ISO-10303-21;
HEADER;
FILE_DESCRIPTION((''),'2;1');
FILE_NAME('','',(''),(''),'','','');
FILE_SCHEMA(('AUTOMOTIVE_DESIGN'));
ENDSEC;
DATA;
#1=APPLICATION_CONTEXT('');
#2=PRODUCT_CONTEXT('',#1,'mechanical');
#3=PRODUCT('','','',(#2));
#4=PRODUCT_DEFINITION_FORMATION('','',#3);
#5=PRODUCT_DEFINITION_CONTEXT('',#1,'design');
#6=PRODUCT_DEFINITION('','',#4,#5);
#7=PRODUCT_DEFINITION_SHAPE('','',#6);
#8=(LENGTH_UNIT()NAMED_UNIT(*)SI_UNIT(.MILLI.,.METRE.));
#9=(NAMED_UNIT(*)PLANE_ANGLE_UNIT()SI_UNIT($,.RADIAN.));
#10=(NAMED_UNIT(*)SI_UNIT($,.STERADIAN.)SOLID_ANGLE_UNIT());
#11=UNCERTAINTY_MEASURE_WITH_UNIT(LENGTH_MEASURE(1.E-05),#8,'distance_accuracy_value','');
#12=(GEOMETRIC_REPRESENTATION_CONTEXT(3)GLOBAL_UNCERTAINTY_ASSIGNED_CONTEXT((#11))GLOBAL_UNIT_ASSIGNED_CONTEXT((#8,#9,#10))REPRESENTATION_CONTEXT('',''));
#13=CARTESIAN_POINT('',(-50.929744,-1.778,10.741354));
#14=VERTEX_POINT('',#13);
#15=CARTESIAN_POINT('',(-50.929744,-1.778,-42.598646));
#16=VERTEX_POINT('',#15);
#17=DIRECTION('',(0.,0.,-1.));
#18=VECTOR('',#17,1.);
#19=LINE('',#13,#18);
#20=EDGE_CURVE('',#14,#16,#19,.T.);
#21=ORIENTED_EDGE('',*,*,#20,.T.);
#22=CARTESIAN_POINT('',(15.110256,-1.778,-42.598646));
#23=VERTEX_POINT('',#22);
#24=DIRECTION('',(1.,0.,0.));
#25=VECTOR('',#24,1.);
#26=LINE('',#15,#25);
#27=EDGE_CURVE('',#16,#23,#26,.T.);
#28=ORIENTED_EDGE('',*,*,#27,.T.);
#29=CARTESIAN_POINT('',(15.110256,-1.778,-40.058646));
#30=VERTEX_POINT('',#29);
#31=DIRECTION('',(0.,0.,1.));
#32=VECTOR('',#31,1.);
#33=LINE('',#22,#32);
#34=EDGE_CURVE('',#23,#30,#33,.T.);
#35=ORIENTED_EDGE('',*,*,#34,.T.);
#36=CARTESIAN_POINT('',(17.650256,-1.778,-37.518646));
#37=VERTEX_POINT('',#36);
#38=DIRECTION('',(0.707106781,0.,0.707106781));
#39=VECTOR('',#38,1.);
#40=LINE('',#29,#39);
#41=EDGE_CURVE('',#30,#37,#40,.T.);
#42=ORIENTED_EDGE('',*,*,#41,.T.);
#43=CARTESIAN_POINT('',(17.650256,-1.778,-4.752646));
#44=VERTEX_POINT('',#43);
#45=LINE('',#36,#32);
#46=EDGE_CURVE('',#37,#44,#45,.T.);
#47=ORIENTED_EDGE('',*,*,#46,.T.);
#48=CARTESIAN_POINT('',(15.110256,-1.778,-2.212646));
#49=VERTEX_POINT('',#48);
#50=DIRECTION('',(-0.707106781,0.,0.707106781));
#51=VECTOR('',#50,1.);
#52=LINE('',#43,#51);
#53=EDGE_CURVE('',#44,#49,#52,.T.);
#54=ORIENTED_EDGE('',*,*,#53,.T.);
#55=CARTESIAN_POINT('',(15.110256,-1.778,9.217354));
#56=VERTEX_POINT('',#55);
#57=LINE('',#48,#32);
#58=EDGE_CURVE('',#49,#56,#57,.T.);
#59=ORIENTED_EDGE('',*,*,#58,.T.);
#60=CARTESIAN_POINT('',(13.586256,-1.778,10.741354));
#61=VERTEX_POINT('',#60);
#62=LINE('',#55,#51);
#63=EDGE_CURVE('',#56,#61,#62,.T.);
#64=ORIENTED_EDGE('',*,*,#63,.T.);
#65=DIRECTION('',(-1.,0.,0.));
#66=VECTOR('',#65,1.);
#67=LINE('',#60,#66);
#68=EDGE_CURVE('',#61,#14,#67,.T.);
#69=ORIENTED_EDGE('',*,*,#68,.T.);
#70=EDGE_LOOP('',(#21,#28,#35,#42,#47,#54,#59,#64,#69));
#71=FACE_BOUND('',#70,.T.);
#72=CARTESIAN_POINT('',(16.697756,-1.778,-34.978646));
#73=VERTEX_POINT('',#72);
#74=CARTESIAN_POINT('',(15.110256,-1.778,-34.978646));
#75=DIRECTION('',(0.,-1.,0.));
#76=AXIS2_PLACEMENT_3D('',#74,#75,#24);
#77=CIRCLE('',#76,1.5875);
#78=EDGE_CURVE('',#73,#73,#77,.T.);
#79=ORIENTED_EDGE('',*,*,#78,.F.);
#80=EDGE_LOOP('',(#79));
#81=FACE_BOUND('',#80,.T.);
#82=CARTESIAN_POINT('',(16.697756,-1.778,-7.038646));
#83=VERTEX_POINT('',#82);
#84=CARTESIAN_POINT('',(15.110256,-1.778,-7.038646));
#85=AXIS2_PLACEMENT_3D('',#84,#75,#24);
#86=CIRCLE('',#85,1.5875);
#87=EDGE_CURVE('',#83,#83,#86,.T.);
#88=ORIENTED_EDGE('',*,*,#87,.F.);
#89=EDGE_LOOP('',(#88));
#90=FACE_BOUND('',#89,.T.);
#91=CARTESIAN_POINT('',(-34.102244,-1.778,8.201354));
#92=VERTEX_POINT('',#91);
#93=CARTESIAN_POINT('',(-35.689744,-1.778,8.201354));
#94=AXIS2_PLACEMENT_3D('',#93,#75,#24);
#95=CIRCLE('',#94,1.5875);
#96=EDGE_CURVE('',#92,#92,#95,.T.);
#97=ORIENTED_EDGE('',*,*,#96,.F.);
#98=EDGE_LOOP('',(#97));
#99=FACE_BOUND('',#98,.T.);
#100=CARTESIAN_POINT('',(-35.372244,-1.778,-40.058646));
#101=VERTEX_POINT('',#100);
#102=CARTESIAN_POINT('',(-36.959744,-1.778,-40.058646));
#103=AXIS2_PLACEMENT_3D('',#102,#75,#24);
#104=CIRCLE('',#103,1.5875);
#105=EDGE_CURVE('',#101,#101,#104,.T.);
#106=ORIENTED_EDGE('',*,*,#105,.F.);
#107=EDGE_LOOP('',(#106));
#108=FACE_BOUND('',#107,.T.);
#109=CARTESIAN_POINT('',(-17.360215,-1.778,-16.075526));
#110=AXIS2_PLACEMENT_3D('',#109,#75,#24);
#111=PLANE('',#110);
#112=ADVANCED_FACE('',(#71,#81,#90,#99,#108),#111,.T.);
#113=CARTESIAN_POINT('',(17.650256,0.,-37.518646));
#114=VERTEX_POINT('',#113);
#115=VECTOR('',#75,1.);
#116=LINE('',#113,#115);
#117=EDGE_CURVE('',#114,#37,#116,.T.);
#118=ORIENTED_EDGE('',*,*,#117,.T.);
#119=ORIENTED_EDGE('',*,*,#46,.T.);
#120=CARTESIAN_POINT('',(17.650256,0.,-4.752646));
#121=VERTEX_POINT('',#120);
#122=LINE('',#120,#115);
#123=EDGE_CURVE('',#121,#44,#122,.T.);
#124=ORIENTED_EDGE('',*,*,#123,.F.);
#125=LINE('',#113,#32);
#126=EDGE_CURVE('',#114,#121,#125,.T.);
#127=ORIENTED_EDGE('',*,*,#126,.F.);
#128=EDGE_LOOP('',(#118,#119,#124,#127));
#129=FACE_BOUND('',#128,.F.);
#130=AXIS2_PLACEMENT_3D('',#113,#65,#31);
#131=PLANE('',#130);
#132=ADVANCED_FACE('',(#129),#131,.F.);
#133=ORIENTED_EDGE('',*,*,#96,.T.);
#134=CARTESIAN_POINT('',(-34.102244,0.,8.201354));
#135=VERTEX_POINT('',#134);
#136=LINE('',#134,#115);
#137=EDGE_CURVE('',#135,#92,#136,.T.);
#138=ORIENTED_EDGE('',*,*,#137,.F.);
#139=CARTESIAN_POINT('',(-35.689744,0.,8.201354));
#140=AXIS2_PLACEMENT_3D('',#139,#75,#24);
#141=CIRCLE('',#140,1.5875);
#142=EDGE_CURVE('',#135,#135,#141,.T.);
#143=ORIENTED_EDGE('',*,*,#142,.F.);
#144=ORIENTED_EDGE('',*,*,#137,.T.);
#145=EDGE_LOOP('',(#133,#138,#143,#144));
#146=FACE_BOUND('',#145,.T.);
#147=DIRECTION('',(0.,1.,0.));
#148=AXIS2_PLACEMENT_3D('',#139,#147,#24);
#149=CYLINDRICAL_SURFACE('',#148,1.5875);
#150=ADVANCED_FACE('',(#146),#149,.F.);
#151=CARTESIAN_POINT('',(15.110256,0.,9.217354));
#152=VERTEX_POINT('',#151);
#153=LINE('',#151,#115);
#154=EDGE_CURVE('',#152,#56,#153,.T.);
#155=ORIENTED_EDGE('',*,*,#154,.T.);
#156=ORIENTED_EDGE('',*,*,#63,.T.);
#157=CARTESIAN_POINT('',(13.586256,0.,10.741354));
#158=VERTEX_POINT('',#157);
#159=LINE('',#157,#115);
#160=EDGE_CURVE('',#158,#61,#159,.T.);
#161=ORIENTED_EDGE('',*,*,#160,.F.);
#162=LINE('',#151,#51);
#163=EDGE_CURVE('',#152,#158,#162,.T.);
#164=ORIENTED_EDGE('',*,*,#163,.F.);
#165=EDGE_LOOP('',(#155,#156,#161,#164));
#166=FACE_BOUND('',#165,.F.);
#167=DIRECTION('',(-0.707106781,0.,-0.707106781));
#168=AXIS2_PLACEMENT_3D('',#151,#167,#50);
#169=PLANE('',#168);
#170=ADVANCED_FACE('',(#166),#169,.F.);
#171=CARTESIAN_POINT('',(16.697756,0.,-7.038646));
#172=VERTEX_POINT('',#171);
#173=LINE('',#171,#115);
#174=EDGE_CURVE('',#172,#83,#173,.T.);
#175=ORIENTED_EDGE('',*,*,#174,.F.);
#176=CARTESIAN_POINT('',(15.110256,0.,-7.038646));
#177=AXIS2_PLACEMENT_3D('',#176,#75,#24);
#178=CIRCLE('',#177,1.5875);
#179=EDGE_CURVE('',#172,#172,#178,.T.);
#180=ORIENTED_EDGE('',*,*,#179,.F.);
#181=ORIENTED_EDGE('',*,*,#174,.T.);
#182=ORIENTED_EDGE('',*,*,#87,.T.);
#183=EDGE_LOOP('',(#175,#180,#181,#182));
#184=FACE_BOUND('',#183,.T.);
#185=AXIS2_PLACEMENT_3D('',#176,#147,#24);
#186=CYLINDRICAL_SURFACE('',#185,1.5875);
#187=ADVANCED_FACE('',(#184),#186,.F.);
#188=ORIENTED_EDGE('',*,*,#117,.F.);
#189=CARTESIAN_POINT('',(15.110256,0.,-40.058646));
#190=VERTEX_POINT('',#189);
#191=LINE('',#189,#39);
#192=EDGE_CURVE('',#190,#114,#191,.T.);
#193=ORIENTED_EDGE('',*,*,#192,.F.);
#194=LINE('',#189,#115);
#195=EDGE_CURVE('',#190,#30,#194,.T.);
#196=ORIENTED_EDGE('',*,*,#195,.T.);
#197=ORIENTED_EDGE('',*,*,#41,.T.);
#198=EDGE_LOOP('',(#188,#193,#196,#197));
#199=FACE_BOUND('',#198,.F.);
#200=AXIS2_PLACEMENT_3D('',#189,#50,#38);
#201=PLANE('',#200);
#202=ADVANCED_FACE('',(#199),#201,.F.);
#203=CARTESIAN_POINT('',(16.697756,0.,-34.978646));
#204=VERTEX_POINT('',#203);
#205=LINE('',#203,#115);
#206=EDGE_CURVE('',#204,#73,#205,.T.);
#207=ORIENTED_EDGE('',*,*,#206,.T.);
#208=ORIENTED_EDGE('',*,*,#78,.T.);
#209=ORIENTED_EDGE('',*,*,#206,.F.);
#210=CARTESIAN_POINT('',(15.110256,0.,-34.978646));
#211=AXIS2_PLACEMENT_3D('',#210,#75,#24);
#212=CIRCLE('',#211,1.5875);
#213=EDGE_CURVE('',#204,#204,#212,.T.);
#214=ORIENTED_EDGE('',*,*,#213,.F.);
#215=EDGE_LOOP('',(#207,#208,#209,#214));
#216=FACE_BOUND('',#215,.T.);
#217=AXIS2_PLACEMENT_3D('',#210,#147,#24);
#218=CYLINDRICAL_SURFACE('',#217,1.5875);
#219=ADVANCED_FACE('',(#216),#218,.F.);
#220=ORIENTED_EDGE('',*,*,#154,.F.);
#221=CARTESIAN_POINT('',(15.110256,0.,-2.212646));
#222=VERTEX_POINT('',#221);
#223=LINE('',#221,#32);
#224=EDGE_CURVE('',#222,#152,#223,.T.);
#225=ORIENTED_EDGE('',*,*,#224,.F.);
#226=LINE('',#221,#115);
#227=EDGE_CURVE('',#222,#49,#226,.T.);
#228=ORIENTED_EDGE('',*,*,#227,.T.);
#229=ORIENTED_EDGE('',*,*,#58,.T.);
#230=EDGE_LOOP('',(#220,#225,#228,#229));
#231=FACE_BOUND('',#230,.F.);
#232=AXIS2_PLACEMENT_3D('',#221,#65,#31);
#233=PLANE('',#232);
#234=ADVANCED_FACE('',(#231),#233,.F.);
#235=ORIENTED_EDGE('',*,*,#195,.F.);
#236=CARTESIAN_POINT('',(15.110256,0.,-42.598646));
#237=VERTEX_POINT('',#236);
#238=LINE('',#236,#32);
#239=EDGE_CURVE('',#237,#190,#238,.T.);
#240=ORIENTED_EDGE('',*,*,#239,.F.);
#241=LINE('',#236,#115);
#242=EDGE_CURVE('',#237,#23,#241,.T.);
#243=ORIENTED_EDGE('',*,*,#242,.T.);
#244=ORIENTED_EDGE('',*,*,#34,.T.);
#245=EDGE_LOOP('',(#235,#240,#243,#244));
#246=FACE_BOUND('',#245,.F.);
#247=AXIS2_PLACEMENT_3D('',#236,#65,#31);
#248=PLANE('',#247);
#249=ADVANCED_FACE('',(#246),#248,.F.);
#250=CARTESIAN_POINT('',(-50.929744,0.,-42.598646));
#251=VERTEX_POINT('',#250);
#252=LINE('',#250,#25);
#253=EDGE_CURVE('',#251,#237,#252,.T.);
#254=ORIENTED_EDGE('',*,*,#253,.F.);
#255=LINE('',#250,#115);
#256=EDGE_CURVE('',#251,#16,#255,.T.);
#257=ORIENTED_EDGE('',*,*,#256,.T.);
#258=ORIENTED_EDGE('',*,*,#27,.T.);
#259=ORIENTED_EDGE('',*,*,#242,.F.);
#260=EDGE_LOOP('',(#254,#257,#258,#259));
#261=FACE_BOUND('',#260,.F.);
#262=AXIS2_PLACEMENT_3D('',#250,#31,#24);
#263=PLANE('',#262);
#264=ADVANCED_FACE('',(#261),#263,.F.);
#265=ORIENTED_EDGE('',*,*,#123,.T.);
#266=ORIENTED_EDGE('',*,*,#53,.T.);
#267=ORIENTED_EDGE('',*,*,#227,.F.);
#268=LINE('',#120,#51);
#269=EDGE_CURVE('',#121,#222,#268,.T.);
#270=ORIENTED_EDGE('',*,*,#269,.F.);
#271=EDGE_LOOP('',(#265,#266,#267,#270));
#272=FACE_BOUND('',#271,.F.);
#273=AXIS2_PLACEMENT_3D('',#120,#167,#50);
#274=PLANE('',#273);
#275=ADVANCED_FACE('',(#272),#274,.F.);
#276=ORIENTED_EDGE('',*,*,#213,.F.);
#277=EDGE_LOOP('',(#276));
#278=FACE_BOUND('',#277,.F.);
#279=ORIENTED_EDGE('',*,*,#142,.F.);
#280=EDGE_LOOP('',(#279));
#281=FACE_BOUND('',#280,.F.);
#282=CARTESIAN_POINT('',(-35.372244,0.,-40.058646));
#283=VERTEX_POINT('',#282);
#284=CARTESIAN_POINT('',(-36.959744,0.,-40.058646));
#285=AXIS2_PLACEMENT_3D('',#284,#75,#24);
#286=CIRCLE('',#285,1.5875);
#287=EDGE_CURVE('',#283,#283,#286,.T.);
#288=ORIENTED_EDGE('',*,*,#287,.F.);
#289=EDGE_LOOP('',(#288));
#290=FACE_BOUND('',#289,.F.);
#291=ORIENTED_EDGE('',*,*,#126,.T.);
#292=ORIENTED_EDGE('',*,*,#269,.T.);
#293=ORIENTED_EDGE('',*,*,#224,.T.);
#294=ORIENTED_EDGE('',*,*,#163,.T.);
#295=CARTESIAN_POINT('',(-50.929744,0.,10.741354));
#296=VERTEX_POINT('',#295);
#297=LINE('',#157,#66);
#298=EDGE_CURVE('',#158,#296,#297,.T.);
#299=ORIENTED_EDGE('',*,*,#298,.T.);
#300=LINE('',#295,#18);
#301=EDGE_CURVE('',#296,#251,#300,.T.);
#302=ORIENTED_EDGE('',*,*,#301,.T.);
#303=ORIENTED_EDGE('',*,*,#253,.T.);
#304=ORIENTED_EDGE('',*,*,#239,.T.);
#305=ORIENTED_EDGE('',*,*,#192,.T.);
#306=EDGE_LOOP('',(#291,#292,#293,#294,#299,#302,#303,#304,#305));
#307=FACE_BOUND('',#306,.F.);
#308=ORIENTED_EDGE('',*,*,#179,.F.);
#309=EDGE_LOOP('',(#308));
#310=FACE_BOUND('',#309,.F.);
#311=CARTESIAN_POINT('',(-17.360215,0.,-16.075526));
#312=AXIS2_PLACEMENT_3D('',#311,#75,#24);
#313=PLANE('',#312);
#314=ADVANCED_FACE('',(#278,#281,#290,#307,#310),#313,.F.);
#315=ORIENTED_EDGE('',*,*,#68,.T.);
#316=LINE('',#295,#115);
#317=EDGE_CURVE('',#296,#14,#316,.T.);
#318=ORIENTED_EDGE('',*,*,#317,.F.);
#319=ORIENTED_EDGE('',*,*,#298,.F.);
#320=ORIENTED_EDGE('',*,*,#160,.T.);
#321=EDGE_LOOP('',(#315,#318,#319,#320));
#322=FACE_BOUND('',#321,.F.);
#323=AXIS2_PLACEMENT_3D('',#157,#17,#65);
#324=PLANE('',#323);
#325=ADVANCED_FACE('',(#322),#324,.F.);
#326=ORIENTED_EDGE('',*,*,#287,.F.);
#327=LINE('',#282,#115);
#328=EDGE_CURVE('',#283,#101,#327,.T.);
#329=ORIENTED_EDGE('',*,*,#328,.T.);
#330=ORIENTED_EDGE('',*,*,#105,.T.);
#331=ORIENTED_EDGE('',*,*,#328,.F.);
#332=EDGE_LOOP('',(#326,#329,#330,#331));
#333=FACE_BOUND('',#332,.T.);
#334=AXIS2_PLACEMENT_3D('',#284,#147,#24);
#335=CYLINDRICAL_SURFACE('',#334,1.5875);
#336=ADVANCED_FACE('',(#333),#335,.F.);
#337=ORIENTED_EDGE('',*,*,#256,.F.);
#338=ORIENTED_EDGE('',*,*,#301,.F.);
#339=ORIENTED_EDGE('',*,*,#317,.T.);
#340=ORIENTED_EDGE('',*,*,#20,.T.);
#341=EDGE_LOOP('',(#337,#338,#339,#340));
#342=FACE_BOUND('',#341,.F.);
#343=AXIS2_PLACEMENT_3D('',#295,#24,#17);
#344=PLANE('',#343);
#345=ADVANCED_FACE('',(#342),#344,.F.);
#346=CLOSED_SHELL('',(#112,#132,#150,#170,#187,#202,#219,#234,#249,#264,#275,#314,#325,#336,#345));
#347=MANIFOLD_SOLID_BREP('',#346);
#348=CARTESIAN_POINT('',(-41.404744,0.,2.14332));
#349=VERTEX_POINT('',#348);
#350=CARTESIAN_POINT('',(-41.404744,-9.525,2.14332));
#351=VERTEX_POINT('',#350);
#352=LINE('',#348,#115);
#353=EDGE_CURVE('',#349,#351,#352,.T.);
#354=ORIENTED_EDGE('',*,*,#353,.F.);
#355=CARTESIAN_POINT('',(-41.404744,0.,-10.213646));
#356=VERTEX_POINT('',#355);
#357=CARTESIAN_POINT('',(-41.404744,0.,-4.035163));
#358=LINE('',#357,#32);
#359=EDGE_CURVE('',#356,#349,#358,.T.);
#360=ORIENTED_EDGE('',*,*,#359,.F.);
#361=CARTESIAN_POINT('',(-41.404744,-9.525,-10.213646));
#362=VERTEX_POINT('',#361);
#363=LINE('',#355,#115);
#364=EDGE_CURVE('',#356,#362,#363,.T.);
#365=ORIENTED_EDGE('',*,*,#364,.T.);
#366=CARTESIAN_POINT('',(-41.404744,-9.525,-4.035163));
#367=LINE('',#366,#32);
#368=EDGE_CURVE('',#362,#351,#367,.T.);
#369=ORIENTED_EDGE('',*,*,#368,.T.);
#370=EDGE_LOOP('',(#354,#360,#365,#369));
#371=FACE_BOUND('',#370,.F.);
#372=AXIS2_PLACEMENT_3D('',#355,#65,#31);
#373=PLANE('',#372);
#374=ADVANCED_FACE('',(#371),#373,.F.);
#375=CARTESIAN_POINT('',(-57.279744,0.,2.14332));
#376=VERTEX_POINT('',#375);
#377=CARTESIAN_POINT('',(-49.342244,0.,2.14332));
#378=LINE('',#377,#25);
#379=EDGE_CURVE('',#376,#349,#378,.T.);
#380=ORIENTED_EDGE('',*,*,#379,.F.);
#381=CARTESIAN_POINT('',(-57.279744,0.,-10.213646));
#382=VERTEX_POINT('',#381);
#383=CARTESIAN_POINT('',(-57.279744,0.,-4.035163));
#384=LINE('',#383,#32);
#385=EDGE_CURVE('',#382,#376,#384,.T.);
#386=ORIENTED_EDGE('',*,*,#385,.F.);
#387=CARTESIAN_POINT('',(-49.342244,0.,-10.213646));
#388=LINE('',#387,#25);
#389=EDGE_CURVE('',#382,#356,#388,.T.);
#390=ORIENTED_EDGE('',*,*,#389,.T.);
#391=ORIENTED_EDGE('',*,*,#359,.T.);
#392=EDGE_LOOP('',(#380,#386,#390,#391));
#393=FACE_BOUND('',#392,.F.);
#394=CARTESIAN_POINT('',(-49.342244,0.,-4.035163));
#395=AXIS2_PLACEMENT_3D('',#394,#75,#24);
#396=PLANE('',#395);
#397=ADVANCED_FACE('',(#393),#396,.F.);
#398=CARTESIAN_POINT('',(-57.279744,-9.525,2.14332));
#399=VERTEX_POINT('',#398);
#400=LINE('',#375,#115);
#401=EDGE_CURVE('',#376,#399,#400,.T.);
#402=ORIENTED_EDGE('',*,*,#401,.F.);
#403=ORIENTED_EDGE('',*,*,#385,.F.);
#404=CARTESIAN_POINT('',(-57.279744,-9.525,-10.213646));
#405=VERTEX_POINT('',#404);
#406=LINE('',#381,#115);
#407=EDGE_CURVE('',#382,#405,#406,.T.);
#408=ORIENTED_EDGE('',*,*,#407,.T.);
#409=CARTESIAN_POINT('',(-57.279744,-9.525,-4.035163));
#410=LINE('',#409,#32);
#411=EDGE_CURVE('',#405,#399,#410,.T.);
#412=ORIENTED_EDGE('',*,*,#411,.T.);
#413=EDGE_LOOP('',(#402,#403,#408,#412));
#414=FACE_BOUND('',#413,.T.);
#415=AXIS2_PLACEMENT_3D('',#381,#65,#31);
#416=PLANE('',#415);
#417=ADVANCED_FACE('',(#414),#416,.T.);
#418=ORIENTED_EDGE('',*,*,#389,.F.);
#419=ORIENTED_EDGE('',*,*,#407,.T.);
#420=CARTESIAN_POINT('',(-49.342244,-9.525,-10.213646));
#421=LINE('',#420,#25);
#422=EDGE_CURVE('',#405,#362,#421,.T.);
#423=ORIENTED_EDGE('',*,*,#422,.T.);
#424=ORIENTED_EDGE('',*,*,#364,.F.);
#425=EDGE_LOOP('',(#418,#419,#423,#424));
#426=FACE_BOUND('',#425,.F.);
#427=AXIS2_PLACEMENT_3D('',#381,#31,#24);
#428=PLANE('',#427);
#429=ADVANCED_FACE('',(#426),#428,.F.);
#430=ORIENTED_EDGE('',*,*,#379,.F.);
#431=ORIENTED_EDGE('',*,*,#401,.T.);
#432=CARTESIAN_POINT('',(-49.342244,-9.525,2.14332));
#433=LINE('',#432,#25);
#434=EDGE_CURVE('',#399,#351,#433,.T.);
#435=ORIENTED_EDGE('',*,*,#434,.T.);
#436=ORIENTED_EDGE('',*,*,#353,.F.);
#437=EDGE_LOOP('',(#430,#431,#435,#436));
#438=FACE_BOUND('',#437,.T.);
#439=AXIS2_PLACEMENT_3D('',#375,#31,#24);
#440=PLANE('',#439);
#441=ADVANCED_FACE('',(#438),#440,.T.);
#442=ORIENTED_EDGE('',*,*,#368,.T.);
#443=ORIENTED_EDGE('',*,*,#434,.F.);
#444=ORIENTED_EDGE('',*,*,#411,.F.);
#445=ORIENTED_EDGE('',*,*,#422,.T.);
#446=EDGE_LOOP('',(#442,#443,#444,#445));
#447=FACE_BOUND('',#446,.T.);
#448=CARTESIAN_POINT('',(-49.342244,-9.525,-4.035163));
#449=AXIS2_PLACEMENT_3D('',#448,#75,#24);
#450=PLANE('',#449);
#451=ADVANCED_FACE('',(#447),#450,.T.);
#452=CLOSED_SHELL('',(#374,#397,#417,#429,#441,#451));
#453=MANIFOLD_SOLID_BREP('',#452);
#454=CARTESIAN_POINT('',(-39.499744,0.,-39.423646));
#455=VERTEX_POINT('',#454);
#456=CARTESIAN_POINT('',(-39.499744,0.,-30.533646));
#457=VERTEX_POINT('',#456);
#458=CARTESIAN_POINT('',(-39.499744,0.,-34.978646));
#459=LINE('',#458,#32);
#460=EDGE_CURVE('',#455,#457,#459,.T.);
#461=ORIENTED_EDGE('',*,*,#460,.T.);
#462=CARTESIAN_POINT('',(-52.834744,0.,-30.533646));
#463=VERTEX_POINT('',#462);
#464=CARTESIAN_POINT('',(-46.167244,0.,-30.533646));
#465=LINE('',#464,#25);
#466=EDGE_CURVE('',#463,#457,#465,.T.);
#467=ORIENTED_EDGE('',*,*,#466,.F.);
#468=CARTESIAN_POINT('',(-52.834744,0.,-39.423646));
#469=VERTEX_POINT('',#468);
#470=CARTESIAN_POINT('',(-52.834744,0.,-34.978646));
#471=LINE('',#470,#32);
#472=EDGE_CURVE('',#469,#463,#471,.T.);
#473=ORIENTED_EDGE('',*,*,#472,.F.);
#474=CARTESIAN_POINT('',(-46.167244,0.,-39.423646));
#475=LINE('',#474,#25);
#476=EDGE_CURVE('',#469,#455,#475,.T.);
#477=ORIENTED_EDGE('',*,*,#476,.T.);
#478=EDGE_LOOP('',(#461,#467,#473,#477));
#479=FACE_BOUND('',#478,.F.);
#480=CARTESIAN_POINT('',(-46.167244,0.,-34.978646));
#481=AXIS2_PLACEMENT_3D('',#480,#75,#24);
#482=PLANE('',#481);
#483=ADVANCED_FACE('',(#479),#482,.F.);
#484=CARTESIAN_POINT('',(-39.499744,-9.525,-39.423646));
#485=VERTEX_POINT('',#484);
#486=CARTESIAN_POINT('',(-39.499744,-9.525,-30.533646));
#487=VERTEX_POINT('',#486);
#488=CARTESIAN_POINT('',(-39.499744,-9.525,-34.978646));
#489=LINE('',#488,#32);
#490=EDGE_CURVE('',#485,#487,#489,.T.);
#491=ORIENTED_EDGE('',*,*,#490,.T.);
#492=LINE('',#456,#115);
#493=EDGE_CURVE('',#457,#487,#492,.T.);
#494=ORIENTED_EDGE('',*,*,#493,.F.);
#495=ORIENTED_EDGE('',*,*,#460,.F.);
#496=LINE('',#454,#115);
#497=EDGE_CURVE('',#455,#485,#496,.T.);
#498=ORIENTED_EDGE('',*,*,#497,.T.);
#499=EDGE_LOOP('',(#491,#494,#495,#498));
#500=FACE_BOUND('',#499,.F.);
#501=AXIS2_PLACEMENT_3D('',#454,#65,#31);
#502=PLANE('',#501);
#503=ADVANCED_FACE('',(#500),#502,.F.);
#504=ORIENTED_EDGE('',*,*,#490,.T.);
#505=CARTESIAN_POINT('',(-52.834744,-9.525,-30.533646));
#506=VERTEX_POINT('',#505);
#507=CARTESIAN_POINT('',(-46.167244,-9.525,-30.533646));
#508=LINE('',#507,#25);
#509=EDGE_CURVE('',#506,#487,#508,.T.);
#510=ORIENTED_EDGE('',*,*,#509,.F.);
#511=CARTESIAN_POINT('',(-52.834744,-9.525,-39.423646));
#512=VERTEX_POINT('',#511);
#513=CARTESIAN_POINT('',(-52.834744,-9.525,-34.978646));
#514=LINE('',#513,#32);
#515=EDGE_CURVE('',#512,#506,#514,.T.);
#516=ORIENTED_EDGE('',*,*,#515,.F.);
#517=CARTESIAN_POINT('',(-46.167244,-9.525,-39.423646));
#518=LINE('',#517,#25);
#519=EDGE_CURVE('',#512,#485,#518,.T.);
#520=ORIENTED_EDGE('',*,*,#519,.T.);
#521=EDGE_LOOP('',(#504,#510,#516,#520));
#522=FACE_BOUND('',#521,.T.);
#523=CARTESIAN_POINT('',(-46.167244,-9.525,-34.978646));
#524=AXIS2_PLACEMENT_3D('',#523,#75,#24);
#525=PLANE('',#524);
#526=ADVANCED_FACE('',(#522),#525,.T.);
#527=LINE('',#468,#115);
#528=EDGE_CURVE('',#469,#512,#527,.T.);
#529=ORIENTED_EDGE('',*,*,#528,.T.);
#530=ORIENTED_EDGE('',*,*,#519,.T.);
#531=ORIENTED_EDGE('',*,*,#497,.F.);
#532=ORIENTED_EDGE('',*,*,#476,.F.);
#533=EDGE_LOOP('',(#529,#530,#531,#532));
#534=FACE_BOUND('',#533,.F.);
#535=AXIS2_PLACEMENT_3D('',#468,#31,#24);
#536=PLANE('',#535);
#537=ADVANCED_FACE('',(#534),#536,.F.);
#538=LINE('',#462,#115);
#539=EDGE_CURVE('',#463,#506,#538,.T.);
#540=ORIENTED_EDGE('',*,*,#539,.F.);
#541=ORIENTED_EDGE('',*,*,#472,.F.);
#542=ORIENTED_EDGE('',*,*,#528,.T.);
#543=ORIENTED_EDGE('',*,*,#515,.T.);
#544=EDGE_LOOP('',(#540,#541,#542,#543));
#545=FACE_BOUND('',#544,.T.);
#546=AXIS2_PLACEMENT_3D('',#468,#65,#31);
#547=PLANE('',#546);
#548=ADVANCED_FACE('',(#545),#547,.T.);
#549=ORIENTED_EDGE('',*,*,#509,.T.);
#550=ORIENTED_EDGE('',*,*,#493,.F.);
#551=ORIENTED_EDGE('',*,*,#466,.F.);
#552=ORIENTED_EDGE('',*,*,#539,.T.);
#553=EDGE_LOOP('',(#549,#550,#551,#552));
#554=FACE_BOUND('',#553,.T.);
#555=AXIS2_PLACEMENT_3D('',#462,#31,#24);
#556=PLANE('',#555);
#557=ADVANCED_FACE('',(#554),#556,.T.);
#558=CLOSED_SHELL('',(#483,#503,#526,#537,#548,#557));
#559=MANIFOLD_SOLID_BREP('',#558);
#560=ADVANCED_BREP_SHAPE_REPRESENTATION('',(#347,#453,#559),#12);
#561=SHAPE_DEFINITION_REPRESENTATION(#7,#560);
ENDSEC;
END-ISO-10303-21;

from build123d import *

# Parameters (mm, degrees)
F1_W     = 15.875
F1_H     = 12.356966
F1_W_2   = 13.335
F1_H_2   = 8.89
F2_DEPTH = 9.525
F0_R     = 1.5875
F3_DEPTH = 1.778


with BuildPart() as f2:
    # F1 (on Front) → F2 (new body)
    with BuildSketch(Plane.XZ):
        with Locations((-49.342244, -4.035163)):
            Rectangle(F1_W, F1_H)
        with Locations((-46.167244, -34.978646)):
            Rectangle(F1_W_2, F1_H_2)
    extrude(amount=F2_DEPTH)


with BuildPart() as f3:
    # F0 (on Front) → F3 (new body)
    with BuildSketch(Plane.XZ):
        Polygon((13.586256, 10.741354), (-50.929744, 10.741354), (-50.929744, -42.598646), (15.110256, -42.598646), (15.110256, -40.058646), (17.650256, -37.518646), (17.650256, -4.752646), (15.110256, -2.212646), (15.110256, 9.217354), align=None)
        with Locations((-36.959744, -40.058646)):
            Circle(F0_R, mode=Mode.SUBTRACT)
        with Locations((15.110256, -34.978646)):
            Circle(F0_R, mode=Mode.SUBTRACT)
        with Locations((-35.689744, 8.201354)):
            Circle(F0_R, mode=Mode.SUBTRACT)
        with Locations((15.110256, -7.038646)):
            Circle(F0_R, mode=Mode.SUBTRACT)
    extrude(amount=F3_DEPTH)


solid = Compound([f2.part, f3.part])
